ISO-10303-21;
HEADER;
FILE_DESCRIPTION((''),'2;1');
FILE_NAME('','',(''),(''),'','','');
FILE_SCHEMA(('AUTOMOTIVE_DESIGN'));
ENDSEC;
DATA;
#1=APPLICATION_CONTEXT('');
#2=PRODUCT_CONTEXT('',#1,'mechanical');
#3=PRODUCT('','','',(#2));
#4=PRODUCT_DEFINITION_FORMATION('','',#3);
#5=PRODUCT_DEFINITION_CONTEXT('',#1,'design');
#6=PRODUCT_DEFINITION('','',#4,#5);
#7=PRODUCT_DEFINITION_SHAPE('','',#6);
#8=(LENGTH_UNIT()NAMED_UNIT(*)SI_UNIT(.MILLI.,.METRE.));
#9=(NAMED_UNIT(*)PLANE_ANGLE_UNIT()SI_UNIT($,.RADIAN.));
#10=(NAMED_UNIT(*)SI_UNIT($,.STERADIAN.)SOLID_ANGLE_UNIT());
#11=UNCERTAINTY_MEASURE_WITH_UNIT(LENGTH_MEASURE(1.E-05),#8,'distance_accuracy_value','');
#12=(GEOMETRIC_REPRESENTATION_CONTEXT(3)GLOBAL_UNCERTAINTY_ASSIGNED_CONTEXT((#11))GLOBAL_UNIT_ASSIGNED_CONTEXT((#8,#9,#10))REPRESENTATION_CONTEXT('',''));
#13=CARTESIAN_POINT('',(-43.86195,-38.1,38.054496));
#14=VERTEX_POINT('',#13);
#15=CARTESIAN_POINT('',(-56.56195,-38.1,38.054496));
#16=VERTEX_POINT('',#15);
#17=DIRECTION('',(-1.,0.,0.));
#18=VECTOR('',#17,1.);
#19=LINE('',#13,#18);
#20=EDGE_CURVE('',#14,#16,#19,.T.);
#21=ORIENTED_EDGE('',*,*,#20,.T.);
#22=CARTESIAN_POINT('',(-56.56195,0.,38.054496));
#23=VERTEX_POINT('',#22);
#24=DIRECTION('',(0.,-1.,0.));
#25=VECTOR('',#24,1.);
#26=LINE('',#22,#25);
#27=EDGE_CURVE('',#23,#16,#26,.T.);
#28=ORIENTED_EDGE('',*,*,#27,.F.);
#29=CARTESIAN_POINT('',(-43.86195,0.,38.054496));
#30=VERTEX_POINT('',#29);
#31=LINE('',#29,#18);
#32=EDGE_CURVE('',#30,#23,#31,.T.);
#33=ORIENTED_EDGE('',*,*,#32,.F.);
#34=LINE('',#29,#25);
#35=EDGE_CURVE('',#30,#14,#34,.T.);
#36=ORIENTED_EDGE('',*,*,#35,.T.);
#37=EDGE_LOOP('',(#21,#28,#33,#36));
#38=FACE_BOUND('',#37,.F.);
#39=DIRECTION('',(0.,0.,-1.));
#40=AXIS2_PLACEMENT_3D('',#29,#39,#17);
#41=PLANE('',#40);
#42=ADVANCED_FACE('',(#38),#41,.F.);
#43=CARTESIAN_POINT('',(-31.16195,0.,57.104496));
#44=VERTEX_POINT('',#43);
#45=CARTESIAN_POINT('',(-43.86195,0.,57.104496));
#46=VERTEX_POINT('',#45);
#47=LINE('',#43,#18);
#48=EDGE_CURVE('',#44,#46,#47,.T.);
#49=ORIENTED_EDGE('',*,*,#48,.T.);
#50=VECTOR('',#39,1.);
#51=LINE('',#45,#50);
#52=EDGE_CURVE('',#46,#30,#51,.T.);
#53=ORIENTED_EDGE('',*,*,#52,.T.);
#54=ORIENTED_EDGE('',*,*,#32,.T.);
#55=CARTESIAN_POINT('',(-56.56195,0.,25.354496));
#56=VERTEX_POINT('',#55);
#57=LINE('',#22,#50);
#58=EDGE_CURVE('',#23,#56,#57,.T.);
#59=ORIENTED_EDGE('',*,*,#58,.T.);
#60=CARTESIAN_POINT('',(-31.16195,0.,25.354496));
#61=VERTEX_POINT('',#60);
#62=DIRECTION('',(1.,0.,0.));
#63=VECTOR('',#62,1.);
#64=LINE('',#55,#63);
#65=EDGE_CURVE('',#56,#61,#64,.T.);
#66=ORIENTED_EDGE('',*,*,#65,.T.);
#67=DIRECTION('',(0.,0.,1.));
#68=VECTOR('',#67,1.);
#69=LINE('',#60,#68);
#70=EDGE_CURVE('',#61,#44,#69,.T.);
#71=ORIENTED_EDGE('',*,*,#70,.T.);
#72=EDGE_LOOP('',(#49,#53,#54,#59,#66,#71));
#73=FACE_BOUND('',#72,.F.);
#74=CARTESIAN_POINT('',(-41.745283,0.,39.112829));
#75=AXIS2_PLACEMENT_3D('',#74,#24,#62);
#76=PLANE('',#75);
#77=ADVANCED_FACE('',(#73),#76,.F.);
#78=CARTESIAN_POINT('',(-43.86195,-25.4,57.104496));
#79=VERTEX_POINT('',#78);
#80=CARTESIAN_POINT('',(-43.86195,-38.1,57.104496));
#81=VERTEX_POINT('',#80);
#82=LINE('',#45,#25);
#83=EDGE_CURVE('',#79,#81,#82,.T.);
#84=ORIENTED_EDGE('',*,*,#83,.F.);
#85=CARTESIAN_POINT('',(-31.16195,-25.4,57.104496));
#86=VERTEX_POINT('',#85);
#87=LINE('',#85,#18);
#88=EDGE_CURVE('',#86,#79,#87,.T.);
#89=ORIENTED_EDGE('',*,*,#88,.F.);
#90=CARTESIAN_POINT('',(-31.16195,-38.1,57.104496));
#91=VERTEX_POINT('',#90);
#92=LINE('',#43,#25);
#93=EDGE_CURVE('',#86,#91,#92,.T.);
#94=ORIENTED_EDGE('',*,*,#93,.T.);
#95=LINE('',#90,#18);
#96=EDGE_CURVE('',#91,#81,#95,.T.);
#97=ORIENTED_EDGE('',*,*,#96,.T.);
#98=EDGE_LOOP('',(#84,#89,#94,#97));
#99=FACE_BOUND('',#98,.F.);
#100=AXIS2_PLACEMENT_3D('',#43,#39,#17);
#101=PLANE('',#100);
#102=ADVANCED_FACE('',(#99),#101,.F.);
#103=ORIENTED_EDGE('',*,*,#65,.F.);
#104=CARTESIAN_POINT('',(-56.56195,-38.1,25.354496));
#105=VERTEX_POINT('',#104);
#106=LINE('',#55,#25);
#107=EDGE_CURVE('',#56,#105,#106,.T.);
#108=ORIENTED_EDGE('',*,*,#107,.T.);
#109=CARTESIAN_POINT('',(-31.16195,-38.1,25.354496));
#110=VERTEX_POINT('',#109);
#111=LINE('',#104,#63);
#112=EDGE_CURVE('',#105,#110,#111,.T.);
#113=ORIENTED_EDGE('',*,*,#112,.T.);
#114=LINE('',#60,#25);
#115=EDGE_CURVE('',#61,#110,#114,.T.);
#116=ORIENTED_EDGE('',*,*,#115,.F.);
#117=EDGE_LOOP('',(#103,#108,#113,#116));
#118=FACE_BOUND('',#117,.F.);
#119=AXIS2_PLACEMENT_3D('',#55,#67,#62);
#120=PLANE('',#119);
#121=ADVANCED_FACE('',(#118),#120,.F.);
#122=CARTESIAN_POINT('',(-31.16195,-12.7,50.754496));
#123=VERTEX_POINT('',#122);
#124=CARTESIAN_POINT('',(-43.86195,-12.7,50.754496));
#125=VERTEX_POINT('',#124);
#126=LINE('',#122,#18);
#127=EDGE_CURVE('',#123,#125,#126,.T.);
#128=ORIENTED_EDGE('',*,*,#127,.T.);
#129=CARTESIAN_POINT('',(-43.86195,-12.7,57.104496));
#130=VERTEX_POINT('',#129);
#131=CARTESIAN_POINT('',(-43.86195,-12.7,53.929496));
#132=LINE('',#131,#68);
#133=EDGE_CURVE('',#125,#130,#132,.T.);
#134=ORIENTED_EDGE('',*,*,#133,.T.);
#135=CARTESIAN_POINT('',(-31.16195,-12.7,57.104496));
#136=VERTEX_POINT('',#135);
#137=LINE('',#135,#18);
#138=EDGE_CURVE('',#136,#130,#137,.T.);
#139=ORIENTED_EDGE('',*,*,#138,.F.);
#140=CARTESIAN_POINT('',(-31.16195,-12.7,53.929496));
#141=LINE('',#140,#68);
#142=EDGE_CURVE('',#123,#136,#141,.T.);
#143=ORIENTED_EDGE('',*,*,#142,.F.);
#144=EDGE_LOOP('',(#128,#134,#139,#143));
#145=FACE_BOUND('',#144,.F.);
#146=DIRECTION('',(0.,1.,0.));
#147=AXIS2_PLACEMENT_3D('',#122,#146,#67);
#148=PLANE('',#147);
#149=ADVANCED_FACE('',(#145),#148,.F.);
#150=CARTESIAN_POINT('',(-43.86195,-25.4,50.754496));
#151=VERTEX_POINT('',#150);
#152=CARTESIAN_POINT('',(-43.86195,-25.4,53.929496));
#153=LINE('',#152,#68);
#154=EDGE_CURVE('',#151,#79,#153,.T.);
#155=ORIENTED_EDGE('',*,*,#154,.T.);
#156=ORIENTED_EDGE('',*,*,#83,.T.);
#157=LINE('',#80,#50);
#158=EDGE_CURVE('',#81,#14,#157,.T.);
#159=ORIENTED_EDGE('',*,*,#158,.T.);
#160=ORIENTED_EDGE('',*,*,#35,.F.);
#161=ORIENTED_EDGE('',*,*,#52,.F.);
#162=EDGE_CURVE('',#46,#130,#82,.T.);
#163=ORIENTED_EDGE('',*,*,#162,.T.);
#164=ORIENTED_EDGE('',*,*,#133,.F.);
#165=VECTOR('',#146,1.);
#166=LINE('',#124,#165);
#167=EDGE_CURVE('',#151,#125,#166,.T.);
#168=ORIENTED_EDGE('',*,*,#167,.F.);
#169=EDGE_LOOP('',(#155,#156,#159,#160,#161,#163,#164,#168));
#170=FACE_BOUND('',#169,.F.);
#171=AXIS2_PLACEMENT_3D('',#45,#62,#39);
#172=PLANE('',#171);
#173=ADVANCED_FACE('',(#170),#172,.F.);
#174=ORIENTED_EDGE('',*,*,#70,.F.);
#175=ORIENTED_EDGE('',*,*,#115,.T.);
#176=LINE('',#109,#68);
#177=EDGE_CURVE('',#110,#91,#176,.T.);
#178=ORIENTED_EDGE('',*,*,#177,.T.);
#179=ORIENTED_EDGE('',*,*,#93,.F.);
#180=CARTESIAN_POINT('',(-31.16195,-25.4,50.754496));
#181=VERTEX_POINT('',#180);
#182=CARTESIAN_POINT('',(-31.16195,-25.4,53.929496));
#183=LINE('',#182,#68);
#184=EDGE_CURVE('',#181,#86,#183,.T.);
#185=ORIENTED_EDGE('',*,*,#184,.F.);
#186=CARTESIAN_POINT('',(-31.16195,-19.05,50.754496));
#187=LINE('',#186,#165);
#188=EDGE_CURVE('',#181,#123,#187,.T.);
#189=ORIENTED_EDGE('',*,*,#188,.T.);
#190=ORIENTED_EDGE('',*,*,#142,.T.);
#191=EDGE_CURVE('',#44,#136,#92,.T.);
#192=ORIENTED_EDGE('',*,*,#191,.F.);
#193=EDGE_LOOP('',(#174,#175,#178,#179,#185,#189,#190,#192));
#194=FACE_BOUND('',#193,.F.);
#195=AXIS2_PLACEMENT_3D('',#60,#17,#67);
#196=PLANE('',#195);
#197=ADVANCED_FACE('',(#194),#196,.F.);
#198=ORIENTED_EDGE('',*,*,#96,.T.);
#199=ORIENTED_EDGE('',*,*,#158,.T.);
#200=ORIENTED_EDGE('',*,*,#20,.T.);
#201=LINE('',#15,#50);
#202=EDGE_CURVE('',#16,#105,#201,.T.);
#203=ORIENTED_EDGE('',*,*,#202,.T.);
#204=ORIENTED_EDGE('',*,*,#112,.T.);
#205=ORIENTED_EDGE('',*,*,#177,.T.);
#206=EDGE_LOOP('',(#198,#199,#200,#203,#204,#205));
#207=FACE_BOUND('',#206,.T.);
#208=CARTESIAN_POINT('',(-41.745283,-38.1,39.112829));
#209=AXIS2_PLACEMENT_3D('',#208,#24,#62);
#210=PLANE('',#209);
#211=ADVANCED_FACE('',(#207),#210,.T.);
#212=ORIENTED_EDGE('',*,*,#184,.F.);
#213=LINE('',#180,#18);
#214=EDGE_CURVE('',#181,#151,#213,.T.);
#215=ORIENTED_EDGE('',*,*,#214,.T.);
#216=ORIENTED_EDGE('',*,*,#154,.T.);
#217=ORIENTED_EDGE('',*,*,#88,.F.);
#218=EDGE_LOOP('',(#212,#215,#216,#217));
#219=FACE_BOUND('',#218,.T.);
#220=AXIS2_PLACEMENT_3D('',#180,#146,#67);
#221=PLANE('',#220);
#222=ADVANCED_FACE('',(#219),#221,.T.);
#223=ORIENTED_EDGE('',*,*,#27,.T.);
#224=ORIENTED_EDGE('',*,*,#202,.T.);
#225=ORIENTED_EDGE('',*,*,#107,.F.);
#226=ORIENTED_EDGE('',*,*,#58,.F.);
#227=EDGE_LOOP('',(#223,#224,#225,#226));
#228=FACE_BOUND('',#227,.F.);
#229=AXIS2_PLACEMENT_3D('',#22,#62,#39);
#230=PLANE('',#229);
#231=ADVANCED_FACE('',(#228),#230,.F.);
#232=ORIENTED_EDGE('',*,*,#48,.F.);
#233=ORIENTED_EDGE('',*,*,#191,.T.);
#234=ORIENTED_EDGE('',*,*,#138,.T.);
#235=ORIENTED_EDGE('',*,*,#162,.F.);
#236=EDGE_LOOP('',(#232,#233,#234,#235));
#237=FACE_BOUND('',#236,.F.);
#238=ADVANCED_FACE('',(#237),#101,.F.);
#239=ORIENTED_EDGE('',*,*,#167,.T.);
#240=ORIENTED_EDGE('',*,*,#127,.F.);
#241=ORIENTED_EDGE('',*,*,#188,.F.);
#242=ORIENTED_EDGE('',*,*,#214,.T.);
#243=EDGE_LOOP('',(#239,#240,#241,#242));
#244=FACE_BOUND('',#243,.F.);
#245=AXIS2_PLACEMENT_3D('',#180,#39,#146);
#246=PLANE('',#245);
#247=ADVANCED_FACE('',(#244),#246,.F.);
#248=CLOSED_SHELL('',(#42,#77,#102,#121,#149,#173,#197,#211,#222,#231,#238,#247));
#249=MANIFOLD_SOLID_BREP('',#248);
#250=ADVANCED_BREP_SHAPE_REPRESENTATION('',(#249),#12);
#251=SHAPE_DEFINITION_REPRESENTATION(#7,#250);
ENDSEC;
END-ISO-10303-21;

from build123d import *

# Parameters (mm, degrees)
F1_DEPTH = 38.1
F2_W     = 12.7
F2_H     = 6.35
F3_DEPTH = 25.4


with BuildPart() as f1:
    # F0 (on Front) → F1 (new body)
    with BuildSketch(Plane.XZ):
        Polygon((-31.16195, 57.104496), (-43.86195, 57.104496), (-43.86195, 38.054496), (-56.56195, 38.054496), (-56.56195, 25.354496), (-31.16195, 25.354496), align=None)
    extrude(amount=F1_DEPTH)

    # F2 (on face) → F3 (cut)
    with BuildSketch(Plane.YZ.offset(-31.16195)):
        with Locations((-19.05, 53.929496)):
            Rectangle(F2_W, F2_H)
    extrude(amount=-F3_DEPTH, mode=Mode.SUBTRACT)


solid = f1.part
